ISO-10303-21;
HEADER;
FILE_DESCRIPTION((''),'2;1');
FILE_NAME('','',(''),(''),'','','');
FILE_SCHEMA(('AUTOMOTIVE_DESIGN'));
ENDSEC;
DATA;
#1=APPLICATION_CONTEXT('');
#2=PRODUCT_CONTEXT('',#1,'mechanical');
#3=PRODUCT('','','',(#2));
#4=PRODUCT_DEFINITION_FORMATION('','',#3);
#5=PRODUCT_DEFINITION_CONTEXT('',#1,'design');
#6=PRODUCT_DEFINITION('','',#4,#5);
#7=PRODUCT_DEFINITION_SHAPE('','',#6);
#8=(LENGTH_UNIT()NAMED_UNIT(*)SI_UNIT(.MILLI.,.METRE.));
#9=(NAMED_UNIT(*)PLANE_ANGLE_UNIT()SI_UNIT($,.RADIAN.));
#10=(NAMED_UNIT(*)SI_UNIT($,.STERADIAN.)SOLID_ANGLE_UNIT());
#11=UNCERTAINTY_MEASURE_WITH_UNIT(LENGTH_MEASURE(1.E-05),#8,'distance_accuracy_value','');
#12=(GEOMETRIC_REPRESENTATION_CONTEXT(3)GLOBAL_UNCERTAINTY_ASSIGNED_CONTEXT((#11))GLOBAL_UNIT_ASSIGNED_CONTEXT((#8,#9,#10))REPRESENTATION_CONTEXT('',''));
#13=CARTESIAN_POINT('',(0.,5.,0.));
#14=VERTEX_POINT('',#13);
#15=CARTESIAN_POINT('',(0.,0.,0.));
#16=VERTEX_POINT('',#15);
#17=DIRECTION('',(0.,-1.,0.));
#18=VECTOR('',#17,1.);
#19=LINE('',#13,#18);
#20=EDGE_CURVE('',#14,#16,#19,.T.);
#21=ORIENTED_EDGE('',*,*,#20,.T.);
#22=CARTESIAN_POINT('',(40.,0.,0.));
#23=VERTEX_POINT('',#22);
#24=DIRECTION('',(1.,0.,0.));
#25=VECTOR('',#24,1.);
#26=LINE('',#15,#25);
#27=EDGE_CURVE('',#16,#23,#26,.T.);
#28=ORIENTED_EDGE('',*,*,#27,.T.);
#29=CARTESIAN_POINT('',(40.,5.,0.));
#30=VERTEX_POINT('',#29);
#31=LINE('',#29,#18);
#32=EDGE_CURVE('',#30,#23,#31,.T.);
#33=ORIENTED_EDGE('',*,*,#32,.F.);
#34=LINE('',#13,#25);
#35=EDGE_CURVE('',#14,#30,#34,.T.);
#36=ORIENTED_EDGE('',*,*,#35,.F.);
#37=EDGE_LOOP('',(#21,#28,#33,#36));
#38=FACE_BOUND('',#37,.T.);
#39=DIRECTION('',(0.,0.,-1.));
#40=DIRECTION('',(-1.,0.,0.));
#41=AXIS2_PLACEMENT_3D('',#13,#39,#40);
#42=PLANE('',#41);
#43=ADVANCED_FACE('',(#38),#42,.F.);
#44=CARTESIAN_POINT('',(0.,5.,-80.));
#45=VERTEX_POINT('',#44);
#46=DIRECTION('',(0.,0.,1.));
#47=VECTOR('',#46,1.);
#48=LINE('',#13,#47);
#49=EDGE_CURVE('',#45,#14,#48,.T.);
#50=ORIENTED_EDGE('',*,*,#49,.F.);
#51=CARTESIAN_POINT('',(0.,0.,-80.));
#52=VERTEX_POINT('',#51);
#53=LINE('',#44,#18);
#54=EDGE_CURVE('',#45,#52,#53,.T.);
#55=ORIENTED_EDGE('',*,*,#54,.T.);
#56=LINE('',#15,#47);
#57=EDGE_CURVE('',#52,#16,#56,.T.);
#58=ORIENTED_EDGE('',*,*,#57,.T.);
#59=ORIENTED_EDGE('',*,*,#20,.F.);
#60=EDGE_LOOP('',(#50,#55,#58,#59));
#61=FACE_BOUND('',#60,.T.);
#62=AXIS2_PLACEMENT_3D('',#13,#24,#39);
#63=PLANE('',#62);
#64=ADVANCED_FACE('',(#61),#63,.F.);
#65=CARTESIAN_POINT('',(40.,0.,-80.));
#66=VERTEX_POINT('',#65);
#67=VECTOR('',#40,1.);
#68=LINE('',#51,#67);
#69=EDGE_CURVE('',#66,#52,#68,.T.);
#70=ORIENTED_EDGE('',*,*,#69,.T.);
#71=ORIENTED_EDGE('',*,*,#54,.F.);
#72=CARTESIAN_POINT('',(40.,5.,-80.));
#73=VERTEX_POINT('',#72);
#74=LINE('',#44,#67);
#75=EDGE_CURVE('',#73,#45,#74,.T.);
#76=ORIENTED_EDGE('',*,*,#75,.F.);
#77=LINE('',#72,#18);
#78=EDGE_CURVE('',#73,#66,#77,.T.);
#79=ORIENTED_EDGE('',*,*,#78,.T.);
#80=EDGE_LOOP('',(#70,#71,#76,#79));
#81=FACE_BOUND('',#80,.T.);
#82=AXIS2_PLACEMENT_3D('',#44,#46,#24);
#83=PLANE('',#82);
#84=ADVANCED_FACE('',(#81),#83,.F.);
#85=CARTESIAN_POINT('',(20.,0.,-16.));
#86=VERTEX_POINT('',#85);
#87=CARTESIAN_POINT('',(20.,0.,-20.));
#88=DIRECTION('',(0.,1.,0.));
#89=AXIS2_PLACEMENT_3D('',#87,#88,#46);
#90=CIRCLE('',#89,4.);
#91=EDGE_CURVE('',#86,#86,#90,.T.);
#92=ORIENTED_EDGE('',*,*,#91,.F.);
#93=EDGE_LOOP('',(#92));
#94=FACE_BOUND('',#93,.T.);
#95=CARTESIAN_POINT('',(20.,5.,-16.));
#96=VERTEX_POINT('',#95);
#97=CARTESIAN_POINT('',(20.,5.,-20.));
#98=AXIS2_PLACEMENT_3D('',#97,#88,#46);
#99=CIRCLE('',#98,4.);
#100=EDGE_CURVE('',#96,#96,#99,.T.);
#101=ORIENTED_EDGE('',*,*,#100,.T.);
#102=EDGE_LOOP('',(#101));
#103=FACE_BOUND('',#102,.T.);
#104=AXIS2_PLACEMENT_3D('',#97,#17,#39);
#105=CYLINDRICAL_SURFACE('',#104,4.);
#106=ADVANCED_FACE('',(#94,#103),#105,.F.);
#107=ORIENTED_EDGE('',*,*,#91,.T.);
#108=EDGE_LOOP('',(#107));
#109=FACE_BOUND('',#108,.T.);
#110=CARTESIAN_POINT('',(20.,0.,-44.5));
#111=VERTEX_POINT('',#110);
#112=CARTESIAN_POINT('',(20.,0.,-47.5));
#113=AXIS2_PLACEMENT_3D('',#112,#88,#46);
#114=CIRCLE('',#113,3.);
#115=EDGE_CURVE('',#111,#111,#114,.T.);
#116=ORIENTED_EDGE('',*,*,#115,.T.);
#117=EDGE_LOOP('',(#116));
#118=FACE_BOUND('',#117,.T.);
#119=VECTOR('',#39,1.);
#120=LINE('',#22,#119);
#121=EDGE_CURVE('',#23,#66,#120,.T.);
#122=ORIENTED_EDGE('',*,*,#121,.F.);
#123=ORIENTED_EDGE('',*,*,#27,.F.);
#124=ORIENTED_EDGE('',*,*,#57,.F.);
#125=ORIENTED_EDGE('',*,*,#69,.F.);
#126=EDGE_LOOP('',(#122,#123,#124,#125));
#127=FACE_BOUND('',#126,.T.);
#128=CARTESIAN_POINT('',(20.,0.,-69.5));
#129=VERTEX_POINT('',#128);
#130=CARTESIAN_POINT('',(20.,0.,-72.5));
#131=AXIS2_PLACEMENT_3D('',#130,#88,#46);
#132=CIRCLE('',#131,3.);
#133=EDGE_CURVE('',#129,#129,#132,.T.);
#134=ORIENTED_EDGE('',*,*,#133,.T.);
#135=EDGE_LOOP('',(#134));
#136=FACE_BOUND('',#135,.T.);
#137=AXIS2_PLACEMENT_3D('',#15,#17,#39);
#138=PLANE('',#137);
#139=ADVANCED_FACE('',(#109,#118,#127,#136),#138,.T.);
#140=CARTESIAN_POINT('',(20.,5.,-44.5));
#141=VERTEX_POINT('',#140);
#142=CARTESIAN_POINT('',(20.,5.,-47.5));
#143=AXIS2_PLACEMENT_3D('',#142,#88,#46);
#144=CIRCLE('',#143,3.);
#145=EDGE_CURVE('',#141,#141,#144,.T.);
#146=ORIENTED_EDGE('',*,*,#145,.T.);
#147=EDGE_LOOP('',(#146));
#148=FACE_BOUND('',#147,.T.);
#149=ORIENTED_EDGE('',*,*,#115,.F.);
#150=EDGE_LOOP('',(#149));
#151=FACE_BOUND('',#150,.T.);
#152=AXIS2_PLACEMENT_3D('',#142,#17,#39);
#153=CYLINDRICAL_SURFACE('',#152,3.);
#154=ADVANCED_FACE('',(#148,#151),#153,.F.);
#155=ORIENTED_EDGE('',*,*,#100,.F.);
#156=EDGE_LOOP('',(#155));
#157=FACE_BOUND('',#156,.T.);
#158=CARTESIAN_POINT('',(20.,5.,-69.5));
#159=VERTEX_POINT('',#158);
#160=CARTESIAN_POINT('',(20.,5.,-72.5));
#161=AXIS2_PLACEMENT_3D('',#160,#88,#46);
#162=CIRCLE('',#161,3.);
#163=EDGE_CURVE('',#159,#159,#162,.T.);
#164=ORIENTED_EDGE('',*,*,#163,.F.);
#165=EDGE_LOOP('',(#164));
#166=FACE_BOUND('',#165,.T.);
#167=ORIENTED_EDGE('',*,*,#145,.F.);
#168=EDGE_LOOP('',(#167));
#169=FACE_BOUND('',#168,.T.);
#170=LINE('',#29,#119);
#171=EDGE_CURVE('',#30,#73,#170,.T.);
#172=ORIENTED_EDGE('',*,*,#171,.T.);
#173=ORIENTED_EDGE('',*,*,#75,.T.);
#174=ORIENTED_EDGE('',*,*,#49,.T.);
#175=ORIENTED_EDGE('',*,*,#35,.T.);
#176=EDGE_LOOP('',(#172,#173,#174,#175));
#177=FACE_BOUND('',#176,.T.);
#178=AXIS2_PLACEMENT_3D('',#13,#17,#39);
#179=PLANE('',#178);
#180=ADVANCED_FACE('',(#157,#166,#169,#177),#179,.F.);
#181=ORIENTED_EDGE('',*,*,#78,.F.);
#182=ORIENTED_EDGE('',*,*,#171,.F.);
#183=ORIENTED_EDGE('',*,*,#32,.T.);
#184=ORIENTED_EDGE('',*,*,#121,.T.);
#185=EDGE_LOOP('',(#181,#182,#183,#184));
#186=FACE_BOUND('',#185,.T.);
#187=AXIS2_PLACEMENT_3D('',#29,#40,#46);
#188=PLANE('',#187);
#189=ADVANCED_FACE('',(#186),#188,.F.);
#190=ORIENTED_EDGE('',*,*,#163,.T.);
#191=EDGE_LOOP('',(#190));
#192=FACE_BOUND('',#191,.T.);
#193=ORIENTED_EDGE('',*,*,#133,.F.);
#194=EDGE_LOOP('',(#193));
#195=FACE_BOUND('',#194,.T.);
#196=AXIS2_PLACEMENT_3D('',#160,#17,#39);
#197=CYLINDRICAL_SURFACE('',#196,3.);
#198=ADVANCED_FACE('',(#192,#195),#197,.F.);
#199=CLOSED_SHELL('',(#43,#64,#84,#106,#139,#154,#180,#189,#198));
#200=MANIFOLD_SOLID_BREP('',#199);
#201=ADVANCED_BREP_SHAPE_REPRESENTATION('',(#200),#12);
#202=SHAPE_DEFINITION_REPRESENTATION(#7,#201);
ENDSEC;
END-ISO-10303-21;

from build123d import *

# Parameters (mm, degrees)
SKETCH1_W           = 40
SKETCH1_H           = 80
SKETCH1_R           = 3
SKETCH1_R_2         = 4
BOSS_EXTRUDE1_DEPTH = 5


with BuildPart() as part:
    # Sketch1 → Boss-Extrude1 (new body)
    with BuildSketch(Plane(origin=(0, 0, 0), x_dir=(1, 0, 0), z_dir=(0, 1, 0))):
        with Locations((20, 40)):
            Rectangle(SKETCH1_W, SKETCH1_H)
        with Locations(Location((20, 72.5, 0), (0, 0, 270))):
            Circle(SKETCH1_R, mode=Mode.SUBTRACT)
        with Locations(Location((20, 47.5, 0), (0, 0, 270))):
            Circle(SKETCH1_R, mode=Mode.SUBTRACT)
        with Locations(Location((20, 20, 0), (0, 0, 270))):
            Circle(SKETCH1_R_2, mode=Mode.SUBTRACT)
    extrude(amount=BOSS_EXTRUDE1_DEPTH)


solid = part.part
